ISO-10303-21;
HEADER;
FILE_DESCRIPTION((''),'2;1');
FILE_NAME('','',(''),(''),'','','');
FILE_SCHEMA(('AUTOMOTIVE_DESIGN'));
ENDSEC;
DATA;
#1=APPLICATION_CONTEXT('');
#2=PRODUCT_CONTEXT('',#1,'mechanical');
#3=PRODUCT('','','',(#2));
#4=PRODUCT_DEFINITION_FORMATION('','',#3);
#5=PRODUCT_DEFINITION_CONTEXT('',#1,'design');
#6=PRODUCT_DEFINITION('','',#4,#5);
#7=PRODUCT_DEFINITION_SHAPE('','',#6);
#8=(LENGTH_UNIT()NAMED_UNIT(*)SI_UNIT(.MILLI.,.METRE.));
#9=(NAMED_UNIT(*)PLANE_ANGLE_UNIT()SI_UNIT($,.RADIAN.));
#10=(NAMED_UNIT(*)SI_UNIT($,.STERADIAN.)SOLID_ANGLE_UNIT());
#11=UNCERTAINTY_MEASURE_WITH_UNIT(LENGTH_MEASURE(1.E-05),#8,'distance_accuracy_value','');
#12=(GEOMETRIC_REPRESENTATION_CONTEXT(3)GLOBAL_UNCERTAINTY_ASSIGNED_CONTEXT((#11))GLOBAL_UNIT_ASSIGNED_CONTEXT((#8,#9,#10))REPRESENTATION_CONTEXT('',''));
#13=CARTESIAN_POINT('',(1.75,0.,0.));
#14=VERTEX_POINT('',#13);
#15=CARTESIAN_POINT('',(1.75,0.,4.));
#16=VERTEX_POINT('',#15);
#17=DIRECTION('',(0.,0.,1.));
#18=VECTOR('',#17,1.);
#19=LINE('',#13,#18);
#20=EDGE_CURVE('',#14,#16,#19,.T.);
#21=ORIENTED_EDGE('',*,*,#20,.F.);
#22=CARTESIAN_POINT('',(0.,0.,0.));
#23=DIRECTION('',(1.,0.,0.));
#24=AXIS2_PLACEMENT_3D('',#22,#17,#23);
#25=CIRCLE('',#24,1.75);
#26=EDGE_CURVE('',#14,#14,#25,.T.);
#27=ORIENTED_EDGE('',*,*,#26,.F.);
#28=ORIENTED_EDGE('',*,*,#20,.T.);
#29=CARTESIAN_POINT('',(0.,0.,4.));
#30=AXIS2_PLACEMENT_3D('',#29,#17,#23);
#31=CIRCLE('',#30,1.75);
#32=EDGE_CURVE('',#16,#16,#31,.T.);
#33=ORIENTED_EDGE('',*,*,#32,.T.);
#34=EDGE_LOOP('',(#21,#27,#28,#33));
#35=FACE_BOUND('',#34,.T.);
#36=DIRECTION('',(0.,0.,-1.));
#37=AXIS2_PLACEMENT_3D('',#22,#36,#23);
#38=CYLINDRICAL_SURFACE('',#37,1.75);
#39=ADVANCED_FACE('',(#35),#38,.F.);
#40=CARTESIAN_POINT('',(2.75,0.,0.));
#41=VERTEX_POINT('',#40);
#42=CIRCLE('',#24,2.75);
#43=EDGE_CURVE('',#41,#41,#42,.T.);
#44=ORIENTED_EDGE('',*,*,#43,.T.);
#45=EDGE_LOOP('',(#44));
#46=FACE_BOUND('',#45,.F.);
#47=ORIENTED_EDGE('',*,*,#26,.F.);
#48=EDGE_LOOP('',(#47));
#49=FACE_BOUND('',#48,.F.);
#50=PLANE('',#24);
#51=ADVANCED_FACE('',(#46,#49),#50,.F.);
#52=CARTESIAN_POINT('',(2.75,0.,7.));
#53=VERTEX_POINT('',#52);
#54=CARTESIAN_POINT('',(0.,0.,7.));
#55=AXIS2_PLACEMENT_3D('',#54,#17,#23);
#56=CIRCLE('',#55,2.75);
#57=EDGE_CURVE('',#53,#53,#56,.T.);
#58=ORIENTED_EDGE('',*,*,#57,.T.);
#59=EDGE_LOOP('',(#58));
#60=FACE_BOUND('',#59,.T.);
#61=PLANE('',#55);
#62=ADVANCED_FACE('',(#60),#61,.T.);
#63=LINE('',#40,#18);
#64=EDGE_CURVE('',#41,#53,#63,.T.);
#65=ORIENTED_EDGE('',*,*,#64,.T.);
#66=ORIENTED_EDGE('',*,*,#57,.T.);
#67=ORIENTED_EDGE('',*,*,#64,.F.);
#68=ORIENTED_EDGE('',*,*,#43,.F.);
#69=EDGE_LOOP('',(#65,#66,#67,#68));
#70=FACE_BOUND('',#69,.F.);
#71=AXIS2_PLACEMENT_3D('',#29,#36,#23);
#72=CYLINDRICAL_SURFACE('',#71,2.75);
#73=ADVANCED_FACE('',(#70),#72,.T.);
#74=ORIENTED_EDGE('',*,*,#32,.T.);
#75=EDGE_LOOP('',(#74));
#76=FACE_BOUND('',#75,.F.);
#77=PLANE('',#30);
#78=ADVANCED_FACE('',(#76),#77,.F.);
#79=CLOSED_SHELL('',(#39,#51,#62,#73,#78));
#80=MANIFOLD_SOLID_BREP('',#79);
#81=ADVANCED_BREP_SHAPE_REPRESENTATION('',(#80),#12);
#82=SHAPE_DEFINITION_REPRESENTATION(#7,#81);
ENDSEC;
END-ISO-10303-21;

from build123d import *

# Parameters (mm, degrees)
SKETCH_R     = 2.75
SKETCH_R_2   = 1.75
PAD_DEPTH    = 4
SKETCH001_R  = 2.75
PAD001_DEPTH = 3


with BuildPart() as part:
    # Sketch → Pad (new body)
    with BuildSketch(Plane.XY):
        Circle(SKETCH_R)
        Circle(SKETCH_R_2, mode=Mode.SUBTRACT)
    extrude(amount=PAD_DEPTH)

    # Sketch001 (on Face4 of Pad) → Pad001 (join)
    with BuildSketch(Plane.XY.offset(4)):
        Circle(SKETCH001_R)
    extrude(amount=PAD001_DEPTH)


solid = part.part
